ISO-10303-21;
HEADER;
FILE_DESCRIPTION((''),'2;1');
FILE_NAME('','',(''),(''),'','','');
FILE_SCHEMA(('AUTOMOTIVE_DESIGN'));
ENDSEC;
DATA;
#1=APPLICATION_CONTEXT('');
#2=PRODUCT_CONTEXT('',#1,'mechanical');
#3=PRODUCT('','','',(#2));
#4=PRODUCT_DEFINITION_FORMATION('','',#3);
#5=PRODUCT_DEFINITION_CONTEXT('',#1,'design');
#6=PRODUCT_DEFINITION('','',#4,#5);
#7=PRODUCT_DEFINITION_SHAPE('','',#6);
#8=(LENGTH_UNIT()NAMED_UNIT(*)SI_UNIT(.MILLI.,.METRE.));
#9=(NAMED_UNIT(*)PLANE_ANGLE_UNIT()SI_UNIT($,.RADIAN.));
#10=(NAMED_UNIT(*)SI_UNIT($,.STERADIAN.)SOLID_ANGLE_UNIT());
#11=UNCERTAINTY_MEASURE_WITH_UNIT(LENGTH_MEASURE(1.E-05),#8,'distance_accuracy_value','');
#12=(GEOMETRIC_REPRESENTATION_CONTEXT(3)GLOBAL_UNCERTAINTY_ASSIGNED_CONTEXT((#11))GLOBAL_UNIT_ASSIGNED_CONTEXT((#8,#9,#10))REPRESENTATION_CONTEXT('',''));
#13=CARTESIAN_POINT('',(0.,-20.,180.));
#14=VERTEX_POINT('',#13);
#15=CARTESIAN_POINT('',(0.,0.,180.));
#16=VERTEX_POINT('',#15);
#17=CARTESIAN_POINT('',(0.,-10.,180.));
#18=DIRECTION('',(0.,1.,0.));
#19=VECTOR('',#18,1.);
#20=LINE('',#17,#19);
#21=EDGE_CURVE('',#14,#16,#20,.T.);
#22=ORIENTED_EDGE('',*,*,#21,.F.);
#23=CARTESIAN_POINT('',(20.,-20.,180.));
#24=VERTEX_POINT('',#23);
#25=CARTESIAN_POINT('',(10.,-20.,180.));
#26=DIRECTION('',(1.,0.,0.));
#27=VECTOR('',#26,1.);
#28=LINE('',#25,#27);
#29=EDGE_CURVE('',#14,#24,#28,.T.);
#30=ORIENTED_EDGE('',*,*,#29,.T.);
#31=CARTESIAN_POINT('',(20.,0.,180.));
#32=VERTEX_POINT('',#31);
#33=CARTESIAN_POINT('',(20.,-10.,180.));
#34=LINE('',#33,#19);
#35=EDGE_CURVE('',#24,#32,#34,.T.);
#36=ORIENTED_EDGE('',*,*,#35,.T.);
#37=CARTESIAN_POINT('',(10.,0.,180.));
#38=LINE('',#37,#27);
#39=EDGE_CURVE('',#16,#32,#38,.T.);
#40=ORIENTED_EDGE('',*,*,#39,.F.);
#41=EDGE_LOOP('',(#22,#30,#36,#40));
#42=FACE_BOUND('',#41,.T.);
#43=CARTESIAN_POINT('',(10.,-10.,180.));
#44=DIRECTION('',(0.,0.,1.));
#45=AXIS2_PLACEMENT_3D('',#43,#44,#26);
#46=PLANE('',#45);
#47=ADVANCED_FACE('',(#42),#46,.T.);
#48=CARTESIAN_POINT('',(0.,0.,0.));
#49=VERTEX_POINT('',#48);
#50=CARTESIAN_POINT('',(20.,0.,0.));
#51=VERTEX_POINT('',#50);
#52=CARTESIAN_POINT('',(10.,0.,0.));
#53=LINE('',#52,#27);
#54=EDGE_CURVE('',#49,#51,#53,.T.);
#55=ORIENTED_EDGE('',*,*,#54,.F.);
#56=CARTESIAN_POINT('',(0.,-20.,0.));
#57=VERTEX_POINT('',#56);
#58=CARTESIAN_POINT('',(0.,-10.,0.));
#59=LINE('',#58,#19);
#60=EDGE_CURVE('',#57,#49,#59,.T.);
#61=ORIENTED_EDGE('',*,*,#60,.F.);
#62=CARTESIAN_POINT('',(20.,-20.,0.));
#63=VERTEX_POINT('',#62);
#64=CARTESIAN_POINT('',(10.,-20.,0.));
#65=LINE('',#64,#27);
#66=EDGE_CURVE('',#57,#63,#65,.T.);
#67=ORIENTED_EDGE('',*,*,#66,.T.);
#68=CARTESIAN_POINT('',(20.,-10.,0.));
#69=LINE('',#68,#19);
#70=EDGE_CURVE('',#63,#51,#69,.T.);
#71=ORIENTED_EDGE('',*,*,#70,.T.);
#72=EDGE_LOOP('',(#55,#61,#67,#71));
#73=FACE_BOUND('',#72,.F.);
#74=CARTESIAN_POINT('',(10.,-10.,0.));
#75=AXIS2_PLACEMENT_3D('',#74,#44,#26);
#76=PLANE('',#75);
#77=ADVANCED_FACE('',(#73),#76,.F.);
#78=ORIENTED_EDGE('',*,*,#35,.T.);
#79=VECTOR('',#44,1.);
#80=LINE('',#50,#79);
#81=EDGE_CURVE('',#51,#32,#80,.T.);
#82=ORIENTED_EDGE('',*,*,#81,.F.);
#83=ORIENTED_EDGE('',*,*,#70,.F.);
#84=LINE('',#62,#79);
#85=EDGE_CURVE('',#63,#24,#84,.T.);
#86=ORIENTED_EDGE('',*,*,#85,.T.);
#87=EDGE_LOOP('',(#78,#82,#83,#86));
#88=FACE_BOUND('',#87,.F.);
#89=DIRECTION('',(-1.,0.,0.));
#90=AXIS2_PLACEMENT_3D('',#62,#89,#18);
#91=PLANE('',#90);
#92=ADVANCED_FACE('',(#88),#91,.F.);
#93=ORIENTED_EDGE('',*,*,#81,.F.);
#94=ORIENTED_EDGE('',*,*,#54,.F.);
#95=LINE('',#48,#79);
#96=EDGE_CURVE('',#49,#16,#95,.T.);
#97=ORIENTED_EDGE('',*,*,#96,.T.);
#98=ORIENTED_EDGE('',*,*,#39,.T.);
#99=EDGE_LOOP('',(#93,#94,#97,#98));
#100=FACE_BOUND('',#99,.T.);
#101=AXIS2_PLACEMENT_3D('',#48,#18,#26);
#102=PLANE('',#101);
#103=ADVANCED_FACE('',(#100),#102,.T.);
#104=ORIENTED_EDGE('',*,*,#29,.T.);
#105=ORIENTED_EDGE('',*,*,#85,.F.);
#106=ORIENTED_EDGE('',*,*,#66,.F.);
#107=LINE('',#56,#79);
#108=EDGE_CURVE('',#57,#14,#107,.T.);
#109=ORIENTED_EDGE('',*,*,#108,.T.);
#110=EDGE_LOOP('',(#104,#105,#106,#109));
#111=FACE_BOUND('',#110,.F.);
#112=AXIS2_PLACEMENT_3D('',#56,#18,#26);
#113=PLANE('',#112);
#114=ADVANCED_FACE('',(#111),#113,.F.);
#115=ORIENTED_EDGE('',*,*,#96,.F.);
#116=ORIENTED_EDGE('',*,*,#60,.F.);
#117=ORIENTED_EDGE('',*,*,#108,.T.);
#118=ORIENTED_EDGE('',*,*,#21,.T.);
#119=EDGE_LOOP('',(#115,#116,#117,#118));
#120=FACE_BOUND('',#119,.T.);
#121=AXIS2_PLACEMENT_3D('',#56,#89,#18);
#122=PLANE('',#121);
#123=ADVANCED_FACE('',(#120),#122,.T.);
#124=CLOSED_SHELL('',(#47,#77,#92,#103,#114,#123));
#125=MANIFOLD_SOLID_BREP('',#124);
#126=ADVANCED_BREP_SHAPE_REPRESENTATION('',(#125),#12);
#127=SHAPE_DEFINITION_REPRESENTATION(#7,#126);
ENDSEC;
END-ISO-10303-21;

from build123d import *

# Parameters (mm, degrees)
SKETCH_W  = 20
SKETCH_H  = 20
PAD_DEPTH = 180


with BuildPart() as part:
    # Sketch → Pad (new body)
    with BuildSketch(Plane.XY):
        with Locations((10, -10)):
            Rectangle(SKETCH_W, SKETCH_H)
    extrude(amount=PAD_DEPTH)


solid = part.part
